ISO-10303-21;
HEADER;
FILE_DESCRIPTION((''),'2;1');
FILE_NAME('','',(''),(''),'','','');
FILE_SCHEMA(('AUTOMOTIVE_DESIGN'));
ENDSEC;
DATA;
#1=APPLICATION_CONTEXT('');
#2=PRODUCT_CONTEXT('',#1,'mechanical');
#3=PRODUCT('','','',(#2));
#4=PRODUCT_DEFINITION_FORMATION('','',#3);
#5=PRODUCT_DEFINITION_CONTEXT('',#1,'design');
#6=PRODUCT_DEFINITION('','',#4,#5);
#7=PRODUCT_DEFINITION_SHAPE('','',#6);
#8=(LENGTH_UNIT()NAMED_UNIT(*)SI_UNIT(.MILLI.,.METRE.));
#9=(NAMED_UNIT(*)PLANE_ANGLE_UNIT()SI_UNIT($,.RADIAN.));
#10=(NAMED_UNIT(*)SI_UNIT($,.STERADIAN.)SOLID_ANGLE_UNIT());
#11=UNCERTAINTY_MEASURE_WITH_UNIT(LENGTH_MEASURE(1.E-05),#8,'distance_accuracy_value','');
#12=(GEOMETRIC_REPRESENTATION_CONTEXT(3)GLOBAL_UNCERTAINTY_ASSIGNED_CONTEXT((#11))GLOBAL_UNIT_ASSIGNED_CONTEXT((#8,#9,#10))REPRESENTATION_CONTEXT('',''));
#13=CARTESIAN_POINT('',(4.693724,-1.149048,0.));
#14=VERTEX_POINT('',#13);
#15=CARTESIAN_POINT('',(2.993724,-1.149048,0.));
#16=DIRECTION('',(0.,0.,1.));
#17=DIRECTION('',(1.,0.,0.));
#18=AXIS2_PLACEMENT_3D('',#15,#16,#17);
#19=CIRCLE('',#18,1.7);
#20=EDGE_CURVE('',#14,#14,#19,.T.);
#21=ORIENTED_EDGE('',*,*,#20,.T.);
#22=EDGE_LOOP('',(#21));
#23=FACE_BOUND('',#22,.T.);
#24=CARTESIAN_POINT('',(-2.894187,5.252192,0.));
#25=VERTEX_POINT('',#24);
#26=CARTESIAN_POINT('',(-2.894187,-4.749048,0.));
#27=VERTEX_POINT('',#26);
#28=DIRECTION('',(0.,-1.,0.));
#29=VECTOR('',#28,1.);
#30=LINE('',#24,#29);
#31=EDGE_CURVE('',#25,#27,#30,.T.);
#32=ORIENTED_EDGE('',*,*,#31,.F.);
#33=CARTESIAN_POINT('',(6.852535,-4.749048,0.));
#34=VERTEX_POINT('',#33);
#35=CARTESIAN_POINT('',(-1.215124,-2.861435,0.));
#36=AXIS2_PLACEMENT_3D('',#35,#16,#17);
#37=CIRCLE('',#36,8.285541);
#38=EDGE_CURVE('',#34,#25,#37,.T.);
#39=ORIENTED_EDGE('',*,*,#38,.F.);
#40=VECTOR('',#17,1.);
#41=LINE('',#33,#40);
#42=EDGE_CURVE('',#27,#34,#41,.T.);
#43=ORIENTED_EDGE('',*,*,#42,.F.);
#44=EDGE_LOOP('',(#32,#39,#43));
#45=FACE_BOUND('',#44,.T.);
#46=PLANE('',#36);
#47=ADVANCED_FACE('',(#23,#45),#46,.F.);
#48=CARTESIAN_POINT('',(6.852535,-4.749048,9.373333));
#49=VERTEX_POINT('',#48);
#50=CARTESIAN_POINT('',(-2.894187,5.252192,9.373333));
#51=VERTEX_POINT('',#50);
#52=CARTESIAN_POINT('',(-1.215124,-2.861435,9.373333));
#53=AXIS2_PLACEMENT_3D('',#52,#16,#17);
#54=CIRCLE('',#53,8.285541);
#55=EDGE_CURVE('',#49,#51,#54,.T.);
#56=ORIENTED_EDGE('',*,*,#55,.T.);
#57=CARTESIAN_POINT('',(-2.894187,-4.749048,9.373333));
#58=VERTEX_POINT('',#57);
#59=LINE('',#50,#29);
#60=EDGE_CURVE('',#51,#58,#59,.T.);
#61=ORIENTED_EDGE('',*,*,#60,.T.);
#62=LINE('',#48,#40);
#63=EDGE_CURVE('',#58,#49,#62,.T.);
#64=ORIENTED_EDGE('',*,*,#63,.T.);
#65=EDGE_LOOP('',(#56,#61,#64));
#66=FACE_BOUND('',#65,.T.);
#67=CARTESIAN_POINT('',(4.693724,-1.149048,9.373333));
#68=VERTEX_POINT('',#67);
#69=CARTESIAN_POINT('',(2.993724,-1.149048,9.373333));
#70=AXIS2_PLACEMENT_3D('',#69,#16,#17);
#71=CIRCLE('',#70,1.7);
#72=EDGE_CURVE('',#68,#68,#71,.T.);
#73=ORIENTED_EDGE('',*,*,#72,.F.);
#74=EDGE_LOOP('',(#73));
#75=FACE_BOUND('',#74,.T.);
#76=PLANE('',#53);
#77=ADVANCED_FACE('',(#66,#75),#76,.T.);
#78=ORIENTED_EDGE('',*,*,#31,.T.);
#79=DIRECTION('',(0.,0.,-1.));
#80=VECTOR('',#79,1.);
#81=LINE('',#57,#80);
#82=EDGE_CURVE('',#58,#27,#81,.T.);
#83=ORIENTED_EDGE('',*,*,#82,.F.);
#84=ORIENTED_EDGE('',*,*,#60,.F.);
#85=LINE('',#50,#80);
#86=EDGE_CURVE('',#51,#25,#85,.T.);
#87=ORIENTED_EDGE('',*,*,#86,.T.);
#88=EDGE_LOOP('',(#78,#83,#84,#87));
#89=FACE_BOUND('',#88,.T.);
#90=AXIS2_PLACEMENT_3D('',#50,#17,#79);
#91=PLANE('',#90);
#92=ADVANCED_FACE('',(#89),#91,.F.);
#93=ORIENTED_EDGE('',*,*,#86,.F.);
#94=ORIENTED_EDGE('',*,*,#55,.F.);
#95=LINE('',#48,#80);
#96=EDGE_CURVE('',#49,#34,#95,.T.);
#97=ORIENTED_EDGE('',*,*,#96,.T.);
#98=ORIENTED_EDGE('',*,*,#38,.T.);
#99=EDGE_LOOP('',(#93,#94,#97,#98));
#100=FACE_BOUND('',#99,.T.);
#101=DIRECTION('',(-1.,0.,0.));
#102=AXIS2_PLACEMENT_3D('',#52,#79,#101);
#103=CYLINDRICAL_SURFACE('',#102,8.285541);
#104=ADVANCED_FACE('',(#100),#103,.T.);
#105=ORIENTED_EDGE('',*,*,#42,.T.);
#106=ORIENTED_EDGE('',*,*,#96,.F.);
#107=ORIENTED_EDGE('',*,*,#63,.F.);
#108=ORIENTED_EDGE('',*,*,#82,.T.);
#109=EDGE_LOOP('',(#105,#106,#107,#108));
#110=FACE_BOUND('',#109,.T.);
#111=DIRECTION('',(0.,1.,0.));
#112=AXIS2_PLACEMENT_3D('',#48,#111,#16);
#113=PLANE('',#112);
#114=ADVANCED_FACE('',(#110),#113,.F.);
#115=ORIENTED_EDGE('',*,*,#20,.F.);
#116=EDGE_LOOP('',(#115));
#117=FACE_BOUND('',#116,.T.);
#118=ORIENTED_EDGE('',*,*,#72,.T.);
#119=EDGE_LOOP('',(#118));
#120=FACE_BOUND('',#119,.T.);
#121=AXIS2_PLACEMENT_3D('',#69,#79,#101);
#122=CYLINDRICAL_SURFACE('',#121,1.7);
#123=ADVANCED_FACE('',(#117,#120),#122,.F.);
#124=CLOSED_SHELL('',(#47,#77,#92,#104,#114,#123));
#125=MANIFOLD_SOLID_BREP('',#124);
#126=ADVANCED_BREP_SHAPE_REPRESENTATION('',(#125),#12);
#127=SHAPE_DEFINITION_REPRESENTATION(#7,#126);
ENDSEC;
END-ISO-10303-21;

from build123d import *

# Parameters (mm, degrees)
SKETCH1_R           = 1.7
BOSS_EXTRUDE1_DEPTH = 9.373333333


with BuildPart() as part:
    # Sketch1 → Boss-Extrude1 (new body)
    with BuildSketch(Plane.XY):
        with BuildLine():
            Line((6.852535078, -4.74904773), (-2.89418708, -4.74904773))
            Line((-2.89418708, -4.74904773), (-2.89418708, 5.252191919))
            ThreePointArc((-2.89418708, 5.252191919), (4.718655654, 2.921337792), (6.852535078, -4.74904773))
        make_face()
        with Locations((2.993724275, -1.14904773)):
            Circle(SKETCH1_R, mode=Mode.SUBTRACT)
    extrude(amount=BOSS_EXTRUDE1_DEPTH)


solid = part.part
